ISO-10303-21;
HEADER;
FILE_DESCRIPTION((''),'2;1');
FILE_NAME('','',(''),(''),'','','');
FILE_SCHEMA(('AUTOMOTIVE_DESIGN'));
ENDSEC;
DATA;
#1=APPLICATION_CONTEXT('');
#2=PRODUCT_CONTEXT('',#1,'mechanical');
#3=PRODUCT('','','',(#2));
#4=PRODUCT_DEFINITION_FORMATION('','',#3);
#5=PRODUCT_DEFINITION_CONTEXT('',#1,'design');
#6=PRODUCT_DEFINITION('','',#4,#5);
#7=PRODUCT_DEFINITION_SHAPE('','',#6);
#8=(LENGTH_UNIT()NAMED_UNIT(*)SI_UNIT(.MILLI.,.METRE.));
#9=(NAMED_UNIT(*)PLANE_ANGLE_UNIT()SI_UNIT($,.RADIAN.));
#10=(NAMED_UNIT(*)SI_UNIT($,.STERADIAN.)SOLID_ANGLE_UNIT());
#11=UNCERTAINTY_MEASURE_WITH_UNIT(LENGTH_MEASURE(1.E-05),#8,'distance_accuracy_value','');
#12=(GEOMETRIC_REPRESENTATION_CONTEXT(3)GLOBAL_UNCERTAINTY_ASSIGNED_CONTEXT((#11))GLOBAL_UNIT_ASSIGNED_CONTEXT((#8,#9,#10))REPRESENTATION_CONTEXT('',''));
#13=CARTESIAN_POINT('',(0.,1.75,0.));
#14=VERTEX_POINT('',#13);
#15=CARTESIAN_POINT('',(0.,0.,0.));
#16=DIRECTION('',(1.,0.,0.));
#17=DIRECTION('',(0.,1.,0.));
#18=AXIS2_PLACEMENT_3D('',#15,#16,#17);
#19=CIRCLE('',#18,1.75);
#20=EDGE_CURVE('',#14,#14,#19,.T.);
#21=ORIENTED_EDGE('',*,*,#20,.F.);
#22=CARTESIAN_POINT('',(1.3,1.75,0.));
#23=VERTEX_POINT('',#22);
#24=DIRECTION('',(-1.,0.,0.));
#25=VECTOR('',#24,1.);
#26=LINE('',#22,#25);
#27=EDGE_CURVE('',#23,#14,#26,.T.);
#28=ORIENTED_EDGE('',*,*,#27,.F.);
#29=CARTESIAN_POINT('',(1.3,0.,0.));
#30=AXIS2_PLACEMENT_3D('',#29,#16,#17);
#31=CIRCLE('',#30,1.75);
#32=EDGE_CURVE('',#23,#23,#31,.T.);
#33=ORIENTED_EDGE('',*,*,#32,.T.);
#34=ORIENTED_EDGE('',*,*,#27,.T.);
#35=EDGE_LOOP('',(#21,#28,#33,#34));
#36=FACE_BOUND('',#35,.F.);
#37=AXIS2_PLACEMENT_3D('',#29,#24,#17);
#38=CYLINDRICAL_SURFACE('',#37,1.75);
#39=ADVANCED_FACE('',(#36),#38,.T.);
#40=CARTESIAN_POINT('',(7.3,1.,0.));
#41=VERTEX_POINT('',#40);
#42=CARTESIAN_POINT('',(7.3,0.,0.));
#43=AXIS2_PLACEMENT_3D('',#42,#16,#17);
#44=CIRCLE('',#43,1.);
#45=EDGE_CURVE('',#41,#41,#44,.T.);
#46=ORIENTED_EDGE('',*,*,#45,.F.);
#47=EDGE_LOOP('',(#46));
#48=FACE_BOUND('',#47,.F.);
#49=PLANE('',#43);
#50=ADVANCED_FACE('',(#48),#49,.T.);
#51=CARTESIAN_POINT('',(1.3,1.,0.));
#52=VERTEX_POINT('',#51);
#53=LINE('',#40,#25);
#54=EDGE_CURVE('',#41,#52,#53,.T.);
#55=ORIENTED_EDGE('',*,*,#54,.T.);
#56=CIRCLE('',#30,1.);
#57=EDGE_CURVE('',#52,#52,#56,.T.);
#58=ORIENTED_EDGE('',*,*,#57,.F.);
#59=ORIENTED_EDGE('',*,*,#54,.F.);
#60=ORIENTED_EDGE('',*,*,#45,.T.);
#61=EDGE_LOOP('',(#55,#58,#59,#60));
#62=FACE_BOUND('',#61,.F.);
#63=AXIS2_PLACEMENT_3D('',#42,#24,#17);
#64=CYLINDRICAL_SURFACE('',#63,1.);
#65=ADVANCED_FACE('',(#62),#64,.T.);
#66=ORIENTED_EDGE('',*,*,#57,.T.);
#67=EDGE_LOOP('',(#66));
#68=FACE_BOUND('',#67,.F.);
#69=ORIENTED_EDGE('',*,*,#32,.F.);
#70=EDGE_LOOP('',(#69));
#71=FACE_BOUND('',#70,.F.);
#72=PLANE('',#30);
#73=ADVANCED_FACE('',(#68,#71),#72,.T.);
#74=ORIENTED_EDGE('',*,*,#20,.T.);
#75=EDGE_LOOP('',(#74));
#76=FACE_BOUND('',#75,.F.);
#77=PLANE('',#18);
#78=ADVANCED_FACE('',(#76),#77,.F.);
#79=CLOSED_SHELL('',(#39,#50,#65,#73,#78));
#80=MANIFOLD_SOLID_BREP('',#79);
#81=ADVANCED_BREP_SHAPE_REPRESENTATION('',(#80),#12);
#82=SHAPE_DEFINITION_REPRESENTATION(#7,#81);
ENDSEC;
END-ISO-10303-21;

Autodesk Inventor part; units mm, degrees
ref_plane "YZ Plane" through (0, 0, 0) normal (1, 0, 0) x (0, 1, 0)
ref_plane "XZ Plane" through (0, 0, 0) normal (0, 1, 0) x (-1, 0, 0)
ref_plane "XY Plane" through (0, 0, 0) normal (0, 0, 1) x (1, 0, 0)
sketch "スケッチ1" plane through (0, 0, 0) normal (0, 0, 1) x (1, 0, 0)
  line L0 (0, 0) -> (7.3, 0)
  line L1 (7.3, 0) -> (7.3, 1)
  line L2 (7.3, 1) -> (1.3, 1)
  line L3 (1.3, 1) -> (1.3, 1.75)
  line L4 (1.3, 1.75) -> (0, 1.75)
  line L5 (0, 1.75) -> (0, 0)
  dimension "d0" = 1.3
  dimension "d1" = 1.75
  dimension "d2" = 1
  dimension "d3" = 6
revolve "回転1" add sketch "スケッチ1" angle 360 about axis through (0, 0, 0) along (1, 0, 0)
properties part number "bolt_M2L6" material "鋼"
